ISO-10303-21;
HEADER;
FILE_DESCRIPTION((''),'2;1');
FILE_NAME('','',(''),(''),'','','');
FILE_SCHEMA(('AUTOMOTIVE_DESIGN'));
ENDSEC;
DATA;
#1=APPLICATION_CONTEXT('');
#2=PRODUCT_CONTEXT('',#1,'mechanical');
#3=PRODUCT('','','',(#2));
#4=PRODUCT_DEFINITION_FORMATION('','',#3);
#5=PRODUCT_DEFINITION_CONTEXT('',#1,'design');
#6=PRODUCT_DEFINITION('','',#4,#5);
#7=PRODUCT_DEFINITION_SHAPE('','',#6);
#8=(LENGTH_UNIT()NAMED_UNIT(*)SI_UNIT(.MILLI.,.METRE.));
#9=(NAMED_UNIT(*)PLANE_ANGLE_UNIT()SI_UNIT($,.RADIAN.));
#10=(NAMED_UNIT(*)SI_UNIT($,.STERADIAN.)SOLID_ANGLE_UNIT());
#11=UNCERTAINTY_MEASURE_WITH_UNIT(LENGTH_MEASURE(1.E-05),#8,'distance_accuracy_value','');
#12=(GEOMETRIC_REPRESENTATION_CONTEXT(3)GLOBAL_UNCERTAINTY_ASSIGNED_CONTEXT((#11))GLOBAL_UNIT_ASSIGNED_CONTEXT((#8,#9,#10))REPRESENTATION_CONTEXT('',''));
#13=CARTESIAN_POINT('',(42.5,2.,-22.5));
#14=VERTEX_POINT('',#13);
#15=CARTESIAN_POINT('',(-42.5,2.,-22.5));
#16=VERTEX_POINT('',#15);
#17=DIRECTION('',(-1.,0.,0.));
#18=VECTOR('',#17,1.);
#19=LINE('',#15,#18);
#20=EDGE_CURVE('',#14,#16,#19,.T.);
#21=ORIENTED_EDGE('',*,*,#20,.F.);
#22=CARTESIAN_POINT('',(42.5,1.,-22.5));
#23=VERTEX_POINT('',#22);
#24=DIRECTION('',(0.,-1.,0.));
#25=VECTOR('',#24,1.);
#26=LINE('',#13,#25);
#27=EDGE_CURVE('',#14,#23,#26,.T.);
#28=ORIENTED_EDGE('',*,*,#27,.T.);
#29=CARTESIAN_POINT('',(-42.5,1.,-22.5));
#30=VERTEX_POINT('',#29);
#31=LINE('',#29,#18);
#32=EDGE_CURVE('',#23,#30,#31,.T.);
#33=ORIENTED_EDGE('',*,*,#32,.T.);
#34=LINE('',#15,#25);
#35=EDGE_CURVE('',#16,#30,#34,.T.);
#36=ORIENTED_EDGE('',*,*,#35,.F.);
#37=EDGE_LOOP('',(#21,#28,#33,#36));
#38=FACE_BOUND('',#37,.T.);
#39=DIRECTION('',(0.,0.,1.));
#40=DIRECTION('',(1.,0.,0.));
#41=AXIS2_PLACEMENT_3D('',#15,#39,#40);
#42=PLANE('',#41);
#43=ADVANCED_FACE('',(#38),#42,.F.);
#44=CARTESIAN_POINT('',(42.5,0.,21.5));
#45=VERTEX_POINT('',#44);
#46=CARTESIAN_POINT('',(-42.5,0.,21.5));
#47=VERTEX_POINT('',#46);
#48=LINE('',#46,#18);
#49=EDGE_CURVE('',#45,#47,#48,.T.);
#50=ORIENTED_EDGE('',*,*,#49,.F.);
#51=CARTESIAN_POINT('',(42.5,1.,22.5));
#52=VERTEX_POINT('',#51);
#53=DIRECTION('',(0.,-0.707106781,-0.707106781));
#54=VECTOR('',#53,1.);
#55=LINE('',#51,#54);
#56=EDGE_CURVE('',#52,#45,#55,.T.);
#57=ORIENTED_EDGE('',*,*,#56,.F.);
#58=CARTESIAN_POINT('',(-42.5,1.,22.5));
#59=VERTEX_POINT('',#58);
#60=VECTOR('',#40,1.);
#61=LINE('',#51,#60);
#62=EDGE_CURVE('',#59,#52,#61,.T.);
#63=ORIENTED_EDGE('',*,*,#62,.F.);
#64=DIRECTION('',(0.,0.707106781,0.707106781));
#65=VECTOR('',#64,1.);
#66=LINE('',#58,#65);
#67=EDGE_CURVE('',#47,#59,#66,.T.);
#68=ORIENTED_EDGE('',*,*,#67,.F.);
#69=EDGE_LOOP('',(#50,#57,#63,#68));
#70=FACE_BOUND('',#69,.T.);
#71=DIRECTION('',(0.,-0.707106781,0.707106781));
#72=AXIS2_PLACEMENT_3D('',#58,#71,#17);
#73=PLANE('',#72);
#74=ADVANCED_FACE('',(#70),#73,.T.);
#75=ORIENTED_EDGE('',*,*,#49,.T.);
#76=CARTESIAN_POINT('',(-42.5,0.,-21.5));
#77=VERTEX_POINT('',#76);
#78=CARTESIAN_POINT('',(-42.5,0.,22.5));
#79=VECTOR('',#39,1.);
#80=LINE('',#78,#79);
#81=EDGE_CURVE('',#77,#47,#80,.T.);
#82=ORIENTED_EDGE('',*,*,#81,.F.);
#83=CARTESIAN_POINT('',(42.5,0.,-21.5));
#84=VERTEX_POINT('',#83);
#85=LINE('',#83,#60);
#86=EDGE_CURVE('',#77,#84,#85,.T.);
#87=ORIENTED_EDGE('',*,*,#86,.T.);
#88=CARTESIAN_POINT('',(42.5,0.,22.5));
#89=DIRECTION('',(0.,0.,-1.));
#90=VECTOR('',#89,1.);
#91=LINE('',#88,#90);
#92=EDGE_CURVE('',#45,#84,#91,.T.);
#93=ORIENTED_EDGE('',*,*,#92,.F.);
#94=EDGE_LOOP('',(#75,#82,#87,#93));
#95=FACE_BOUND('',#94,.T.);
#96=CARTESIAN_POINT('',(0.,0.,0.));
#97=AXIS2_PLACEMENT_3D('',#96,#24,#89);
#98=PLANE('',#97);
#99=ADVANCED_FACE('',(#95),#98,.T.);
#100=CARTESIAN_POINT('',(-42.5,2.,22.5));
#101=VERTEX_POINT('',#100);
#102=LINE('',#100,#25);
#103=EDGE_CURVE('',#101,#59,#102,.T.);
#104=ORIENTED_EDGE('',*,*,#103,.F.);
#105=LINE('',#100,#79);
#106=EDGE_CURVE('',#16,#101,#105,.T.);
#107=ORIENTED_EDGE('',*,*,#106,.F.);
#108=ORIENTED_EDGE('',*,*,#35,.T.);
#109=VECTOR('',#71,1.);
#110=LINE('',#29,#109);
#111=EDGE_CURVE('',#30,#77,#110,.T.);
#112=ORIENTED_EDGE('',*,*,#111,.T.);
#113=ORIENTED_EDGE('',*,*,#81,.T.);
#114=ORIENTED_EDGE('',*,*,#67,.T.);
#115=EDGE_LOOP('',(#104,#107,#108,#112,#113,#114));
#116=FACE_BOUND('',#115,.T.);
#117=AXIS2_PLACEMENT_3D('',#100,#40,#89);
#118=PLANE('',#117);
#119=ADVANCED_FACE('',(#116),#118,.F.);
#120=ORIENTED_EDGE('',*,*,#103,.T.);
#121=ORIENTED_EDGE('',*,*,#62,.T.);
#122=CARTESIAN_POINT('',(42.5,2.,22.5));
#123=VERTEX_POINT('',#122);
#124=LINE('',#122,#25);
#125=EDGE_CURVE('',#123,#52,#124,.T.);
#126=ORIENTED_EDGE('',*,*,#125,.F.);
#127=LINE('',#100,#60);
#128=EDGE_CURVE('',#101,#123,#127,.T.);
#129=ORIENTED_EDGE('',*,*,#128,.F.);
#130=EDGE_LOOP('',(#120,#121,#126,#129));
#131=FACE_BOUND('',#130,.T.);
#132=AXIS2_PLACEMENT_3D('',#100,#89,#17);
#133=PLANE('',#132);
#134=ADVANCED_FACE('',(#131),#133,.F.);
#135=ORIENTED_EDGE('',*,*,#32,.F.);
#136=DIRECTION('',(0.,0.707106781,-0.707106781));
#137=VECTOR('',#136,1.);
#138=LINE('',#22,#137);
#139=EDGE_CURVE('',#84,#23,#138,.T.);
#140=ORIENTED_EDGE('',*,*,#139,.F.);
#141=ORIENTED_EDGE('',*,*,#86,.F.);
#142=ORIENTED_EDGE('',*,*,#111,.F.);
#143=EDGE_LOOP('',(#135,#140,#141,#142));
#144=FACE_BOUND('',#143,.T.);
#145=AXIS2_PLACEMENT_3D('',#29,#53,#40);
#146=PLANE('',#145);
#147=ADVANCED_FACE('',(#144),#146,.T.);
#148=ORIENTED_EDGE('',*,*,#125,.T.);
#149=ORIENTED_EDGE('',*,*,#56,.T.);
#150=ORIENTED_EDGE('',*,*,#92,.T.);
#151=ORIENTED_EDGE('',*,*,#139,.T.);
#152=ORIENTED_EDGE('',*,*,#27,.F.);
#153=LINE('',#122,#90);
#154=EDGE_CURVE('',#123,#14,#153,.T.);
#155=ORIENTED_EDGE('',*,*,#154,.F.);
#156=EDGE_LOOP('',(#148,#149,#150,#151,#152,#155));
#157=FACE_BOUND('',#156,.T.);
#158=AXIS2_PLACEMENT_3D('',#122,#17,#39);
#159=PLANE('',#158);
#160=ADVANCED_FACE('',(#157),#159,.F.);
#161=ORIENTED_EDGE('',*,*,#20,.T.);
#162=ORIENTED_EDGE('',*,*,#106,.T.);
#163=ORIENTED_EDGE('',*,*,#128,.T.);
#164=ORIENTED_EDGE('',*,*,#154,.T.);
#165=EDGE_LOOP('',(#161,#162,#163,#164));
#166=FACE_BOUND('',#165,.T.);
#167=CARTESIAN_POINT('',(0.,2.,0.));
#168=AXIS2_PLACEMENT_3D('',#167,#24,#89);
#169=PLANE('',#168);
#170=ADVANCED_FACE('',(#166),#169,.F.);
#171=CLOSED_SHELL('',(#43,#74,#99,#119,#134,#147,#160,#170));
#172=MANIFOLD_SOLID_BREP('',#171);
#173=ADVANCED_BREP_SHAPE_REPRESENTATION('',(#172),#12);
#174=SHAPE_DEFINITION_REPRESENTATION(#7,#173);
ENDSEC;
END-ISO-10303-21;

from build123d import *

# Parameters (mm, degrees)
SKETCH_1_W      = 85
SKETCH_1_H      = 45
EXTRUDE_1_DEPTH = 2
CHAMFER_1_SIZE  = 1


with BuildPart() as part:
    # 草图1 → 凸台-拉伸1 (new body)
    with BuildSketch(Plane(origin=(0, 0, 0), x_dir=(1, 0, 0), z_dir=(0, 1, 0))):
        Rectangle(SKETCH_1_W, SKETCH_1_H)
    extrude(amount=EXTRUDE_1_DEPTH)

    # 倒角1
    chamfer_1_edges = [part.edges().sort_by_distance(p)[0] for p in [
        (0, 0, 22.5),
        (0, 0, -22.5),
    ]]
    chamfer(chamfer_1_edges, length=CHAMFER_1_SIZE)


solid = part.part
